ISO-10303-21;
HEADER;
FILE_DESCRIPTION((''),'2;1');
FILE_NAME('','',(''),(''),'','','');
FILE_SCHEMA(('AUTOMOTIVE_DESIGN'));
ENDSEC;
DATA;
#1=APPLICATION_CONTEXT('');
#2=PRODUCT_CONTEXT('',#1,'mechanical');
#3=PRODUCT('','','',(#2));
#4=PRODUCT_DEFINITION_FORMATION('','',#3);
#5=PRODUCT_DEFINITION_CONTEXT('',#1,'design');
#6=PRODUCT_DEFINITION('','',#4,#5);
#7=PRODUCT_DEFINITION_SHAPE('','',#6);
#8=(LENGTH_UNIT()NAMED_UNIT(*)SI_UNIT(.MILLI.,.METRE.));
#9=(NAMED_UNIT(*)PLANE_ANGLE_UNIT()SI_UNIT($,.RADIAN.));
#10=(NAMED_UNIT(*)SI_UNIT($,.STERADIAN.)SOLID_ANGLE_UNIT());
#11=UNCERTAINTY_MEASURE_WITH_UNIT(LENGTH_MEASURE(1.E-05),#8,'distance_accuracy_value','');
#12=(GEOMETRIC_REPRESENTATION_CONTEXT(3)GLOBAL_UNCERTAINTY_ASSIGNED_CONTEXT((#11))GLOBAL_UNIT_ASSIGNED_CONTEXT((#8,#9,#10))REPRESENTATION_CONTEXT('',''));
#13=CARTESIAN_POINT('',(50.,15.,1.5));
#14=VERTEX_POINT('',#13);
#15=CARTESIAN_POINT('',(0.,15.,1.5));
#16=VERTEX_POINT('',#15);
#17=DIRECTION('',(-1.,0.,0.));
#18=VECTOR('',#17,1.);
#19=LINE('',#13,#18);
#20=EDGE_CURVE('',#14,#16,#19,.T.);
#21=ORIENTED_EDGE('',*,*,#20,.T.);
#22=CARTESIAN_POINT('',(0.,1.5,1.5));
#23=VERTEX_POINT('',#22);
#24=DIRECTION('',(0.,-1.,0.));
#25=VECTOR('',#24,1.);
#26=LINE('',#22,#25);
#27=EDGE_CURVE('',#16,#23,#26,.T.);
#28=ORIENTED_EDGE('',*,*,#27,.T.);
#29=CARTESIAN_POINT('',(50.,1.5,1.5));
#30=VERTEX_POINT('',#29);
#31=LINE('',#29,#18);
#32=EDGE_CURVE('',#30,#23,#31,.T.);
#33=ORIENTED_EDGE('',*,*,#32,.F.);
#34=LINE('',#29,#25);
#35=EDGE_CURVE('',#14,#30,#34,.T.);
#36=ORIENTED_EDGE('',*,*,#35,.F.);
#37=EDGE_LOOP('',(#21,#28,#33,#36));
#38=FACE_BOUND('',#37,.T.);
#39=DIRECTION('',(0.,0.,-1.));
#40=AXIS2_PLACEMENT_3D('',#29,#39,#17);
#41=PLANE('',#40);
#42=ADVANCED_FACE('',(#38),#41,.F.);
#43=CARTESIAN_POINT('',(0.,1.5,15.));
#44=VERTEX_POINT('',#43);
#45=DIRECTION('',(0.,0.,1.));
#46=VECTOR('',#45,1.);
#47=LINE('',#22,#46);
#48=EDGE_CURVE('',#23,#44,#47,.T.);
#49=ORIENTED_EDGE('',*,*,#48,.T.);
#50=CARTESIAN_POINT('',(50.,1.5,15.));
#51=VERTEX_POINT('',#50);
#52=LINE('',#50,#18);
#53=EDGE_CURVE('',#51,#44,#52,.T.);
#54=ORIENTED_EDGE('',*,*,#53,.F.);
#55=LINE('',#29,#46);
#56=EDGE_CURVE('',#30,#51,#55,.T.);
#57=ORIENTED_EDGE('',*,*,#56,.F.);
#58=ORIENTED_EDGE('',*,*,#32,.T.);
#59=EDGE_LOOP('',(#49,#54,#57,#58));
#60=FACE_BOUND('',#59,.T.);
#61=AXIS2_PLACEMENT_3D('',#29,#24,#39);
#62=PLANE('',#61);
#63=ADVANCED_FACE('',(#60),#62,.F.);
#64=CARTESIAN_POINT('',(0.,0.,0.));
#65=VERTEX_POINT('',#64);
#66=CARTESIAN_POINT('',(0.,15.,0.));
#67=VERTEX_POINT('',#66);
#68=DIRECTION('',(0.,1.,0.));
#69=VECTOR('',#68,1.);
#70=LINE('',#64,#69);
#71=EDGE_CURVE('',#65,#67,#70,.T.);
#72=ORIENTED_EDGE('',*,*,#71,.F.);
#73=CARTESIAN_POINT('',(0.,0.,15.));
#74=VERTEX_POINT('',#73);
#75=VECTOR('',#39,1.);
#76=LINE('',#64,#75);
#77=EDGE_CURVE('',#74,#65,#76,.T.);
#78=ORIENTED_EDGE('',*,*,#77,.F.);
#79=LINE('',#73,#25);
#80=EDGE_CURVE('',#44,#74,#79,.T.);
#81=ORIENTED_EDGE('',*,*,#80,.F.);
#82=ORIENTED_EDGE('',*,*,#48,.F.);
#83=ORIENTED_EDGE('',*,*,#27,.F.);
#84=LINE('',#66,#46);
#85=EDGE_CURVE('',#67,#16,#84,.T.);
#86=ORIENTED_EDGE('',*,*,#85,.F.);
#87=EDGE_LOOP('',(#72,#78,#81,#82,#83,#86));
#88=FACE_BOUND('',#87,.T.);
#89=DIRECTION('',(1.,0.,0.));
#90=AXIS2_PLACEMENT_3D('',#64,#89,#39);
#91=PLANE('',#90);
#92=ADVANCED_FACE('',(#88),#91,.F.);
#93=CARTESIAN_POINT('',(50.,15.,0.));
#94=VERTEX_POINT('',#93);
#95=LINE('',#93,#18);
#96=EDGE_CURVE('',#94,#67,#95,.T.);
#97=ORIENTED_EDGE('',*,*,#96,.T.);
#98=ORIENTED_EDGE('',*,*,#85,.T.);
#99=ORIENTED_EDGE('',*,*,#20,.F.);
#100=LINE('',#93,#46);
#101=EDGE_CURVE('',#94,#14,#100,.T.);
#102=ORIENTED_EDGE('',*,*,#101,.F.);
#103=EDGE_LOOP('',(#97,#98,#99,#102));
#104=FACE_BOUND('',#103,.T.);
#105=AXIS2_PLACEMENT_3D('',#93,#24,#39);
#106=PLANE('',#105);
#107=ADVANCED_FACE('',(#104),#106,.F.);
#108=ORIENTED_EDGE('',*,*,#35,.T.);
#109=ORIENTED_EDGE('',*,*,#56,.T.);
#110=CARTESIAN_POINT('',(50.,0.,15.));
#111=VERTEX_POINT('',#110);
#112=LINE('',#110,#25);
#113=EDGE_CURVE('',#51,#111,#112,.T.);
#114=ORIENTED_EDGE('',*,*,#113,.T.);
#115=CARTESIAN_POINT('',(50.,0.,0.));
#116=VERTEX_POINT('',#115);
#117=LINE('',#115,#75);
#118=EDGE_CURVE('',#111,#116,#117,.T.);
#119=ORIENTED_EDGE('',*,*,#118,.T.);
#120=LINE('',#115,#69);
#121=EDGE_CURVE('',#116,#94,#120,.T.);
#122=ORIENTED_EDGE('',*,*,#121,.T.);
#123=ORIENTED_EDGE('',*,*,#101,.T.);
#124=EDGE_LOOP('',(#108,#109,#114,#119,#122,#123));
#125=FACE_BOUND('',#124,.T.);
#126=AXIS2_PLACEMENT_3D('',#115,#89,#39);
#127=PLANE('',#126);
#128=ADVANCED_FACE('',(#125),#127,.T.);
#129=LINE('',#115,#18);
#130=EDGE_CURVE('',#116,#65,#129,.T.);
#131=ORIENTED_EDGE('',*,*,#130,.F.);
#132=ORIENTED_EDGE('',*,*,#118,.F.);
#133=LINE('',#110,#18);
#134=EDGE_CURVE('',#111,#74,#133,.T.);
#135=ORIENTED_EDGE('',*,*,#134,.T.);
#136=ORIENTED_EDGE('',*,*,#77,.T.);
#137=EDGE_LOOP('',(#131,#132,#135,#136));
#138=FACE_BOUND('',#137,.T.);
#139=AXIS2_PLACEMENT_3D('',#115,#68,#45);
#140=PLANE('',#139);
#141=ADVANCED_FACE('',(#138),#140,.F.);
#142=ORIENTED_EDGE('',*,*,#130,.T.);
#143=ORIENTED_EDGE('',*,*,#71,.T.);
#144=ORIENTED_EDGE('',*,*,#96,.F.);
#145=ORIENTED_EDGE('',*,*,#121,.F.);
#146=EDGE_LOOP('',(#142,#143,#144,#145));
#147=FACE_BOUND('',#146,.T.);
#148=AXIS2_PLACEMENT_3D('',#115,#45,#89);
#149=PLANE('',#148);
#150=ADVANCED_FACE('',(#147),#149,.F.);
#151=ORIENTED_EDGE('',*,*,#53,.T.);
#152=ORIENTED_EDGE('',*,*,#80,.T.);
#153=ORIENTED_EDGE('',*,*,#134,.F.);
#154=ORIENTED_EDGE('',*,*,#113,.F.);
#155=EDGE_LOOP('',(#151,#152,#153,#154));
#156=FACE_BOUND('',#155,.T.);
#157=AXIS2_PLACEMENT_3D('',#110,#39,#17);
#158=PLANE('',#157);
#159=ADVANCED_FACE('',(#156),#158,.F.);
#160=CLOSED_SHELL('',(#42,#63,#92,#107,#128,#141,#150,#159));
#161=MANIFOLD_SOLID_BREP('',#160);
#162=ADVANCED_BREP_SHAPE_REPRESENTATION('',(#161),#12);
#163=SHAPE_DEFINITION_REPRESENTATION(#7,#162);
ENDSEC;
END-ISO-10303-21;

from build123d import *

# Parameters (mm, degrees)
SALIENTE_EXTRUIR1_DEPTH = 50


with BuildPart() as part:
    # Croquis1 → Saliente-Extruir1 (new body)
    with BuildSketch(Plane(origin=(0, 0, 0), x_dir=(0, 0, -1), z_dir=(1, 0, 0))):
        Polygon((0, 0), (-15, 0), (-15, 1.5), (-1.5, 1.5), (-1.5, 15), (0, 15), align=None)
    extrude(amount=SALIENTE_EXTRUIR1_DEPTH)


solid = part.part
